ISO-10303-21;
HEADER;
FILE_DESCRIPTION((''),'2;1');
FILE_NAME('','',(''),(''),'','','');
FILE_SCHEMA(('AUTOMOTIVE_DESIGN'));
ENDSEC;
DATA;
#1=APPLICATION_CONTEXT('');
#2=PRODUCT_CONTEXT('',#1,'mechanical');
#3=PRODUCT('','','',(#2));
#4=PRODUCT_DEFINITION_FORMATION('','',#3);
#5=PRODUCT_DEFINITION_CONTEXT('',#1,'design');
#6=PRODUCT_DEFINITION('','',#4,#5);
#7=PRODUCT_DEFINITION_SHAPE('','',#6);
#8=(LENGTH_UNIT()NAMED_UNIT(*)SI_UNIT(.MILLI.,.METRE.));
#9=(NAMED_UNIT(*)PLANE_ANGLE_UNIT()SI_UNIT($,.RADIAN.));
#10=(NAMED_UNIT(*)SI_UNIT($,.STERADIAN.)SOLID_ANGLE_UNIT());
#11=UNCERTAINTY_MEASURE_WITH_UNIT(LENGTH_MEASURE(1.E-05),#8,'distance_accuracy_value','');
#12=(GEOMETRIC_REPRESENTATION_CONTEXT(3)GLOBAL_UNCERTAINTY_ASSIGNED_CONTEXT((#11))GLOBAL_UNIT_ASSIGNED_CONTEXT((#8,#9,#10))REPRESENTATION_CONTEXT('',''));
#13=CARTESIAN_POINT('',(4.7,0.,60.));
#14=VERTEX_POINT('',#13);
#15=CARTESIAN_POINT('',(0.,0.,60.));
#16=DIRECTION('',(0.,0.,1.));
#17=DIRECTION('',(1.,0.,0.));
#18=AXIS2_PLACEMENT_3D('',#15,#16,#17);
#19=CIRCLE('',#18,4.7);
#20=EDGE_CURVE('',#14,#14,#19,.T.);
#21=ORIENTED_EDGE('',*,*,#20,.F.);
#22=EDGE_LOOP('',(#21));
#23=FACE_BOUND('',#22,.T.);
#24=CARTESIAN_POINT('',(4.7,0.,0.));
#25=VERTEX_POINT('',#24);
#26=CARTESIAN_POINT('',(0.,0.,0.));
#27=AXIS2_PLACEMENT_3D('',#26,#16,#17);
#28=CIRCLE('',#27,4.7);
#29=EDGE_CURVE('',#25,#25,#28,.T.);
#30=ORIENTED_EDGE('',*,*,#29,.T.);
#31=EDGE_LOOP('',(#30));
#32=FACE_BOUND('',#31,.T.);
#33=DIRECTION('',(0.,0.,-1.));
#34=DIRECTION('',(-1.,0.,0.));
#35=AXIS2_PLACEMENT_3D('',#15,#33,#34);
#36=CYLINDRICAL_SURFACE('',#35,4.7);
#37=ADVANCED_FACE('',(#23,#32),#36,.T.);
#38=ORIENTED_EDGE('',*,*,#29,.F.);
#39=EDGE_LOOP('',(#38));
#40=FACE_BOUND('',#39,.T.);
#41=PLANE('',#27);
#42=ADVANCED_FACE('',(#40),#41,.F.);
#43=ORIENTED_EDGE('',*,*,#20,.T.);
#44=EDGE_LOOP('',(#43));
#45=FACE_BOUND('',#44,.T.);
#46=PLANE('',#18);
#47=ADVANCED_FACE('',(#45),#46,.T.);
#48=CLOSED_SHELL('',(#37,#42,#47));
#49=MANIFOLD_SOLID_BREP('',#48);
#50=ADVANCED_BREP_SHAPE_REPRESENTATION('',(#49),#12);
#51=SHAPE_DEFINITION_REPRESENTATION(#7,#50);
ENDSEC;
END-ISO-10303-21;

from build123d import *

# Parameters (mm, degrees)
ESQUISSE1_R      = 4.7
EXTRUSION1_DEPTH = 60


with BuildPart() as part:
    # Esquisse1 → Extrusion1 (new body)
    with BuildSketch(Plane.XY):
        Circle(ESQUISSE1_R)
    extrude(amount=EXTRUSION1_DEPTH)


solid = part.part
